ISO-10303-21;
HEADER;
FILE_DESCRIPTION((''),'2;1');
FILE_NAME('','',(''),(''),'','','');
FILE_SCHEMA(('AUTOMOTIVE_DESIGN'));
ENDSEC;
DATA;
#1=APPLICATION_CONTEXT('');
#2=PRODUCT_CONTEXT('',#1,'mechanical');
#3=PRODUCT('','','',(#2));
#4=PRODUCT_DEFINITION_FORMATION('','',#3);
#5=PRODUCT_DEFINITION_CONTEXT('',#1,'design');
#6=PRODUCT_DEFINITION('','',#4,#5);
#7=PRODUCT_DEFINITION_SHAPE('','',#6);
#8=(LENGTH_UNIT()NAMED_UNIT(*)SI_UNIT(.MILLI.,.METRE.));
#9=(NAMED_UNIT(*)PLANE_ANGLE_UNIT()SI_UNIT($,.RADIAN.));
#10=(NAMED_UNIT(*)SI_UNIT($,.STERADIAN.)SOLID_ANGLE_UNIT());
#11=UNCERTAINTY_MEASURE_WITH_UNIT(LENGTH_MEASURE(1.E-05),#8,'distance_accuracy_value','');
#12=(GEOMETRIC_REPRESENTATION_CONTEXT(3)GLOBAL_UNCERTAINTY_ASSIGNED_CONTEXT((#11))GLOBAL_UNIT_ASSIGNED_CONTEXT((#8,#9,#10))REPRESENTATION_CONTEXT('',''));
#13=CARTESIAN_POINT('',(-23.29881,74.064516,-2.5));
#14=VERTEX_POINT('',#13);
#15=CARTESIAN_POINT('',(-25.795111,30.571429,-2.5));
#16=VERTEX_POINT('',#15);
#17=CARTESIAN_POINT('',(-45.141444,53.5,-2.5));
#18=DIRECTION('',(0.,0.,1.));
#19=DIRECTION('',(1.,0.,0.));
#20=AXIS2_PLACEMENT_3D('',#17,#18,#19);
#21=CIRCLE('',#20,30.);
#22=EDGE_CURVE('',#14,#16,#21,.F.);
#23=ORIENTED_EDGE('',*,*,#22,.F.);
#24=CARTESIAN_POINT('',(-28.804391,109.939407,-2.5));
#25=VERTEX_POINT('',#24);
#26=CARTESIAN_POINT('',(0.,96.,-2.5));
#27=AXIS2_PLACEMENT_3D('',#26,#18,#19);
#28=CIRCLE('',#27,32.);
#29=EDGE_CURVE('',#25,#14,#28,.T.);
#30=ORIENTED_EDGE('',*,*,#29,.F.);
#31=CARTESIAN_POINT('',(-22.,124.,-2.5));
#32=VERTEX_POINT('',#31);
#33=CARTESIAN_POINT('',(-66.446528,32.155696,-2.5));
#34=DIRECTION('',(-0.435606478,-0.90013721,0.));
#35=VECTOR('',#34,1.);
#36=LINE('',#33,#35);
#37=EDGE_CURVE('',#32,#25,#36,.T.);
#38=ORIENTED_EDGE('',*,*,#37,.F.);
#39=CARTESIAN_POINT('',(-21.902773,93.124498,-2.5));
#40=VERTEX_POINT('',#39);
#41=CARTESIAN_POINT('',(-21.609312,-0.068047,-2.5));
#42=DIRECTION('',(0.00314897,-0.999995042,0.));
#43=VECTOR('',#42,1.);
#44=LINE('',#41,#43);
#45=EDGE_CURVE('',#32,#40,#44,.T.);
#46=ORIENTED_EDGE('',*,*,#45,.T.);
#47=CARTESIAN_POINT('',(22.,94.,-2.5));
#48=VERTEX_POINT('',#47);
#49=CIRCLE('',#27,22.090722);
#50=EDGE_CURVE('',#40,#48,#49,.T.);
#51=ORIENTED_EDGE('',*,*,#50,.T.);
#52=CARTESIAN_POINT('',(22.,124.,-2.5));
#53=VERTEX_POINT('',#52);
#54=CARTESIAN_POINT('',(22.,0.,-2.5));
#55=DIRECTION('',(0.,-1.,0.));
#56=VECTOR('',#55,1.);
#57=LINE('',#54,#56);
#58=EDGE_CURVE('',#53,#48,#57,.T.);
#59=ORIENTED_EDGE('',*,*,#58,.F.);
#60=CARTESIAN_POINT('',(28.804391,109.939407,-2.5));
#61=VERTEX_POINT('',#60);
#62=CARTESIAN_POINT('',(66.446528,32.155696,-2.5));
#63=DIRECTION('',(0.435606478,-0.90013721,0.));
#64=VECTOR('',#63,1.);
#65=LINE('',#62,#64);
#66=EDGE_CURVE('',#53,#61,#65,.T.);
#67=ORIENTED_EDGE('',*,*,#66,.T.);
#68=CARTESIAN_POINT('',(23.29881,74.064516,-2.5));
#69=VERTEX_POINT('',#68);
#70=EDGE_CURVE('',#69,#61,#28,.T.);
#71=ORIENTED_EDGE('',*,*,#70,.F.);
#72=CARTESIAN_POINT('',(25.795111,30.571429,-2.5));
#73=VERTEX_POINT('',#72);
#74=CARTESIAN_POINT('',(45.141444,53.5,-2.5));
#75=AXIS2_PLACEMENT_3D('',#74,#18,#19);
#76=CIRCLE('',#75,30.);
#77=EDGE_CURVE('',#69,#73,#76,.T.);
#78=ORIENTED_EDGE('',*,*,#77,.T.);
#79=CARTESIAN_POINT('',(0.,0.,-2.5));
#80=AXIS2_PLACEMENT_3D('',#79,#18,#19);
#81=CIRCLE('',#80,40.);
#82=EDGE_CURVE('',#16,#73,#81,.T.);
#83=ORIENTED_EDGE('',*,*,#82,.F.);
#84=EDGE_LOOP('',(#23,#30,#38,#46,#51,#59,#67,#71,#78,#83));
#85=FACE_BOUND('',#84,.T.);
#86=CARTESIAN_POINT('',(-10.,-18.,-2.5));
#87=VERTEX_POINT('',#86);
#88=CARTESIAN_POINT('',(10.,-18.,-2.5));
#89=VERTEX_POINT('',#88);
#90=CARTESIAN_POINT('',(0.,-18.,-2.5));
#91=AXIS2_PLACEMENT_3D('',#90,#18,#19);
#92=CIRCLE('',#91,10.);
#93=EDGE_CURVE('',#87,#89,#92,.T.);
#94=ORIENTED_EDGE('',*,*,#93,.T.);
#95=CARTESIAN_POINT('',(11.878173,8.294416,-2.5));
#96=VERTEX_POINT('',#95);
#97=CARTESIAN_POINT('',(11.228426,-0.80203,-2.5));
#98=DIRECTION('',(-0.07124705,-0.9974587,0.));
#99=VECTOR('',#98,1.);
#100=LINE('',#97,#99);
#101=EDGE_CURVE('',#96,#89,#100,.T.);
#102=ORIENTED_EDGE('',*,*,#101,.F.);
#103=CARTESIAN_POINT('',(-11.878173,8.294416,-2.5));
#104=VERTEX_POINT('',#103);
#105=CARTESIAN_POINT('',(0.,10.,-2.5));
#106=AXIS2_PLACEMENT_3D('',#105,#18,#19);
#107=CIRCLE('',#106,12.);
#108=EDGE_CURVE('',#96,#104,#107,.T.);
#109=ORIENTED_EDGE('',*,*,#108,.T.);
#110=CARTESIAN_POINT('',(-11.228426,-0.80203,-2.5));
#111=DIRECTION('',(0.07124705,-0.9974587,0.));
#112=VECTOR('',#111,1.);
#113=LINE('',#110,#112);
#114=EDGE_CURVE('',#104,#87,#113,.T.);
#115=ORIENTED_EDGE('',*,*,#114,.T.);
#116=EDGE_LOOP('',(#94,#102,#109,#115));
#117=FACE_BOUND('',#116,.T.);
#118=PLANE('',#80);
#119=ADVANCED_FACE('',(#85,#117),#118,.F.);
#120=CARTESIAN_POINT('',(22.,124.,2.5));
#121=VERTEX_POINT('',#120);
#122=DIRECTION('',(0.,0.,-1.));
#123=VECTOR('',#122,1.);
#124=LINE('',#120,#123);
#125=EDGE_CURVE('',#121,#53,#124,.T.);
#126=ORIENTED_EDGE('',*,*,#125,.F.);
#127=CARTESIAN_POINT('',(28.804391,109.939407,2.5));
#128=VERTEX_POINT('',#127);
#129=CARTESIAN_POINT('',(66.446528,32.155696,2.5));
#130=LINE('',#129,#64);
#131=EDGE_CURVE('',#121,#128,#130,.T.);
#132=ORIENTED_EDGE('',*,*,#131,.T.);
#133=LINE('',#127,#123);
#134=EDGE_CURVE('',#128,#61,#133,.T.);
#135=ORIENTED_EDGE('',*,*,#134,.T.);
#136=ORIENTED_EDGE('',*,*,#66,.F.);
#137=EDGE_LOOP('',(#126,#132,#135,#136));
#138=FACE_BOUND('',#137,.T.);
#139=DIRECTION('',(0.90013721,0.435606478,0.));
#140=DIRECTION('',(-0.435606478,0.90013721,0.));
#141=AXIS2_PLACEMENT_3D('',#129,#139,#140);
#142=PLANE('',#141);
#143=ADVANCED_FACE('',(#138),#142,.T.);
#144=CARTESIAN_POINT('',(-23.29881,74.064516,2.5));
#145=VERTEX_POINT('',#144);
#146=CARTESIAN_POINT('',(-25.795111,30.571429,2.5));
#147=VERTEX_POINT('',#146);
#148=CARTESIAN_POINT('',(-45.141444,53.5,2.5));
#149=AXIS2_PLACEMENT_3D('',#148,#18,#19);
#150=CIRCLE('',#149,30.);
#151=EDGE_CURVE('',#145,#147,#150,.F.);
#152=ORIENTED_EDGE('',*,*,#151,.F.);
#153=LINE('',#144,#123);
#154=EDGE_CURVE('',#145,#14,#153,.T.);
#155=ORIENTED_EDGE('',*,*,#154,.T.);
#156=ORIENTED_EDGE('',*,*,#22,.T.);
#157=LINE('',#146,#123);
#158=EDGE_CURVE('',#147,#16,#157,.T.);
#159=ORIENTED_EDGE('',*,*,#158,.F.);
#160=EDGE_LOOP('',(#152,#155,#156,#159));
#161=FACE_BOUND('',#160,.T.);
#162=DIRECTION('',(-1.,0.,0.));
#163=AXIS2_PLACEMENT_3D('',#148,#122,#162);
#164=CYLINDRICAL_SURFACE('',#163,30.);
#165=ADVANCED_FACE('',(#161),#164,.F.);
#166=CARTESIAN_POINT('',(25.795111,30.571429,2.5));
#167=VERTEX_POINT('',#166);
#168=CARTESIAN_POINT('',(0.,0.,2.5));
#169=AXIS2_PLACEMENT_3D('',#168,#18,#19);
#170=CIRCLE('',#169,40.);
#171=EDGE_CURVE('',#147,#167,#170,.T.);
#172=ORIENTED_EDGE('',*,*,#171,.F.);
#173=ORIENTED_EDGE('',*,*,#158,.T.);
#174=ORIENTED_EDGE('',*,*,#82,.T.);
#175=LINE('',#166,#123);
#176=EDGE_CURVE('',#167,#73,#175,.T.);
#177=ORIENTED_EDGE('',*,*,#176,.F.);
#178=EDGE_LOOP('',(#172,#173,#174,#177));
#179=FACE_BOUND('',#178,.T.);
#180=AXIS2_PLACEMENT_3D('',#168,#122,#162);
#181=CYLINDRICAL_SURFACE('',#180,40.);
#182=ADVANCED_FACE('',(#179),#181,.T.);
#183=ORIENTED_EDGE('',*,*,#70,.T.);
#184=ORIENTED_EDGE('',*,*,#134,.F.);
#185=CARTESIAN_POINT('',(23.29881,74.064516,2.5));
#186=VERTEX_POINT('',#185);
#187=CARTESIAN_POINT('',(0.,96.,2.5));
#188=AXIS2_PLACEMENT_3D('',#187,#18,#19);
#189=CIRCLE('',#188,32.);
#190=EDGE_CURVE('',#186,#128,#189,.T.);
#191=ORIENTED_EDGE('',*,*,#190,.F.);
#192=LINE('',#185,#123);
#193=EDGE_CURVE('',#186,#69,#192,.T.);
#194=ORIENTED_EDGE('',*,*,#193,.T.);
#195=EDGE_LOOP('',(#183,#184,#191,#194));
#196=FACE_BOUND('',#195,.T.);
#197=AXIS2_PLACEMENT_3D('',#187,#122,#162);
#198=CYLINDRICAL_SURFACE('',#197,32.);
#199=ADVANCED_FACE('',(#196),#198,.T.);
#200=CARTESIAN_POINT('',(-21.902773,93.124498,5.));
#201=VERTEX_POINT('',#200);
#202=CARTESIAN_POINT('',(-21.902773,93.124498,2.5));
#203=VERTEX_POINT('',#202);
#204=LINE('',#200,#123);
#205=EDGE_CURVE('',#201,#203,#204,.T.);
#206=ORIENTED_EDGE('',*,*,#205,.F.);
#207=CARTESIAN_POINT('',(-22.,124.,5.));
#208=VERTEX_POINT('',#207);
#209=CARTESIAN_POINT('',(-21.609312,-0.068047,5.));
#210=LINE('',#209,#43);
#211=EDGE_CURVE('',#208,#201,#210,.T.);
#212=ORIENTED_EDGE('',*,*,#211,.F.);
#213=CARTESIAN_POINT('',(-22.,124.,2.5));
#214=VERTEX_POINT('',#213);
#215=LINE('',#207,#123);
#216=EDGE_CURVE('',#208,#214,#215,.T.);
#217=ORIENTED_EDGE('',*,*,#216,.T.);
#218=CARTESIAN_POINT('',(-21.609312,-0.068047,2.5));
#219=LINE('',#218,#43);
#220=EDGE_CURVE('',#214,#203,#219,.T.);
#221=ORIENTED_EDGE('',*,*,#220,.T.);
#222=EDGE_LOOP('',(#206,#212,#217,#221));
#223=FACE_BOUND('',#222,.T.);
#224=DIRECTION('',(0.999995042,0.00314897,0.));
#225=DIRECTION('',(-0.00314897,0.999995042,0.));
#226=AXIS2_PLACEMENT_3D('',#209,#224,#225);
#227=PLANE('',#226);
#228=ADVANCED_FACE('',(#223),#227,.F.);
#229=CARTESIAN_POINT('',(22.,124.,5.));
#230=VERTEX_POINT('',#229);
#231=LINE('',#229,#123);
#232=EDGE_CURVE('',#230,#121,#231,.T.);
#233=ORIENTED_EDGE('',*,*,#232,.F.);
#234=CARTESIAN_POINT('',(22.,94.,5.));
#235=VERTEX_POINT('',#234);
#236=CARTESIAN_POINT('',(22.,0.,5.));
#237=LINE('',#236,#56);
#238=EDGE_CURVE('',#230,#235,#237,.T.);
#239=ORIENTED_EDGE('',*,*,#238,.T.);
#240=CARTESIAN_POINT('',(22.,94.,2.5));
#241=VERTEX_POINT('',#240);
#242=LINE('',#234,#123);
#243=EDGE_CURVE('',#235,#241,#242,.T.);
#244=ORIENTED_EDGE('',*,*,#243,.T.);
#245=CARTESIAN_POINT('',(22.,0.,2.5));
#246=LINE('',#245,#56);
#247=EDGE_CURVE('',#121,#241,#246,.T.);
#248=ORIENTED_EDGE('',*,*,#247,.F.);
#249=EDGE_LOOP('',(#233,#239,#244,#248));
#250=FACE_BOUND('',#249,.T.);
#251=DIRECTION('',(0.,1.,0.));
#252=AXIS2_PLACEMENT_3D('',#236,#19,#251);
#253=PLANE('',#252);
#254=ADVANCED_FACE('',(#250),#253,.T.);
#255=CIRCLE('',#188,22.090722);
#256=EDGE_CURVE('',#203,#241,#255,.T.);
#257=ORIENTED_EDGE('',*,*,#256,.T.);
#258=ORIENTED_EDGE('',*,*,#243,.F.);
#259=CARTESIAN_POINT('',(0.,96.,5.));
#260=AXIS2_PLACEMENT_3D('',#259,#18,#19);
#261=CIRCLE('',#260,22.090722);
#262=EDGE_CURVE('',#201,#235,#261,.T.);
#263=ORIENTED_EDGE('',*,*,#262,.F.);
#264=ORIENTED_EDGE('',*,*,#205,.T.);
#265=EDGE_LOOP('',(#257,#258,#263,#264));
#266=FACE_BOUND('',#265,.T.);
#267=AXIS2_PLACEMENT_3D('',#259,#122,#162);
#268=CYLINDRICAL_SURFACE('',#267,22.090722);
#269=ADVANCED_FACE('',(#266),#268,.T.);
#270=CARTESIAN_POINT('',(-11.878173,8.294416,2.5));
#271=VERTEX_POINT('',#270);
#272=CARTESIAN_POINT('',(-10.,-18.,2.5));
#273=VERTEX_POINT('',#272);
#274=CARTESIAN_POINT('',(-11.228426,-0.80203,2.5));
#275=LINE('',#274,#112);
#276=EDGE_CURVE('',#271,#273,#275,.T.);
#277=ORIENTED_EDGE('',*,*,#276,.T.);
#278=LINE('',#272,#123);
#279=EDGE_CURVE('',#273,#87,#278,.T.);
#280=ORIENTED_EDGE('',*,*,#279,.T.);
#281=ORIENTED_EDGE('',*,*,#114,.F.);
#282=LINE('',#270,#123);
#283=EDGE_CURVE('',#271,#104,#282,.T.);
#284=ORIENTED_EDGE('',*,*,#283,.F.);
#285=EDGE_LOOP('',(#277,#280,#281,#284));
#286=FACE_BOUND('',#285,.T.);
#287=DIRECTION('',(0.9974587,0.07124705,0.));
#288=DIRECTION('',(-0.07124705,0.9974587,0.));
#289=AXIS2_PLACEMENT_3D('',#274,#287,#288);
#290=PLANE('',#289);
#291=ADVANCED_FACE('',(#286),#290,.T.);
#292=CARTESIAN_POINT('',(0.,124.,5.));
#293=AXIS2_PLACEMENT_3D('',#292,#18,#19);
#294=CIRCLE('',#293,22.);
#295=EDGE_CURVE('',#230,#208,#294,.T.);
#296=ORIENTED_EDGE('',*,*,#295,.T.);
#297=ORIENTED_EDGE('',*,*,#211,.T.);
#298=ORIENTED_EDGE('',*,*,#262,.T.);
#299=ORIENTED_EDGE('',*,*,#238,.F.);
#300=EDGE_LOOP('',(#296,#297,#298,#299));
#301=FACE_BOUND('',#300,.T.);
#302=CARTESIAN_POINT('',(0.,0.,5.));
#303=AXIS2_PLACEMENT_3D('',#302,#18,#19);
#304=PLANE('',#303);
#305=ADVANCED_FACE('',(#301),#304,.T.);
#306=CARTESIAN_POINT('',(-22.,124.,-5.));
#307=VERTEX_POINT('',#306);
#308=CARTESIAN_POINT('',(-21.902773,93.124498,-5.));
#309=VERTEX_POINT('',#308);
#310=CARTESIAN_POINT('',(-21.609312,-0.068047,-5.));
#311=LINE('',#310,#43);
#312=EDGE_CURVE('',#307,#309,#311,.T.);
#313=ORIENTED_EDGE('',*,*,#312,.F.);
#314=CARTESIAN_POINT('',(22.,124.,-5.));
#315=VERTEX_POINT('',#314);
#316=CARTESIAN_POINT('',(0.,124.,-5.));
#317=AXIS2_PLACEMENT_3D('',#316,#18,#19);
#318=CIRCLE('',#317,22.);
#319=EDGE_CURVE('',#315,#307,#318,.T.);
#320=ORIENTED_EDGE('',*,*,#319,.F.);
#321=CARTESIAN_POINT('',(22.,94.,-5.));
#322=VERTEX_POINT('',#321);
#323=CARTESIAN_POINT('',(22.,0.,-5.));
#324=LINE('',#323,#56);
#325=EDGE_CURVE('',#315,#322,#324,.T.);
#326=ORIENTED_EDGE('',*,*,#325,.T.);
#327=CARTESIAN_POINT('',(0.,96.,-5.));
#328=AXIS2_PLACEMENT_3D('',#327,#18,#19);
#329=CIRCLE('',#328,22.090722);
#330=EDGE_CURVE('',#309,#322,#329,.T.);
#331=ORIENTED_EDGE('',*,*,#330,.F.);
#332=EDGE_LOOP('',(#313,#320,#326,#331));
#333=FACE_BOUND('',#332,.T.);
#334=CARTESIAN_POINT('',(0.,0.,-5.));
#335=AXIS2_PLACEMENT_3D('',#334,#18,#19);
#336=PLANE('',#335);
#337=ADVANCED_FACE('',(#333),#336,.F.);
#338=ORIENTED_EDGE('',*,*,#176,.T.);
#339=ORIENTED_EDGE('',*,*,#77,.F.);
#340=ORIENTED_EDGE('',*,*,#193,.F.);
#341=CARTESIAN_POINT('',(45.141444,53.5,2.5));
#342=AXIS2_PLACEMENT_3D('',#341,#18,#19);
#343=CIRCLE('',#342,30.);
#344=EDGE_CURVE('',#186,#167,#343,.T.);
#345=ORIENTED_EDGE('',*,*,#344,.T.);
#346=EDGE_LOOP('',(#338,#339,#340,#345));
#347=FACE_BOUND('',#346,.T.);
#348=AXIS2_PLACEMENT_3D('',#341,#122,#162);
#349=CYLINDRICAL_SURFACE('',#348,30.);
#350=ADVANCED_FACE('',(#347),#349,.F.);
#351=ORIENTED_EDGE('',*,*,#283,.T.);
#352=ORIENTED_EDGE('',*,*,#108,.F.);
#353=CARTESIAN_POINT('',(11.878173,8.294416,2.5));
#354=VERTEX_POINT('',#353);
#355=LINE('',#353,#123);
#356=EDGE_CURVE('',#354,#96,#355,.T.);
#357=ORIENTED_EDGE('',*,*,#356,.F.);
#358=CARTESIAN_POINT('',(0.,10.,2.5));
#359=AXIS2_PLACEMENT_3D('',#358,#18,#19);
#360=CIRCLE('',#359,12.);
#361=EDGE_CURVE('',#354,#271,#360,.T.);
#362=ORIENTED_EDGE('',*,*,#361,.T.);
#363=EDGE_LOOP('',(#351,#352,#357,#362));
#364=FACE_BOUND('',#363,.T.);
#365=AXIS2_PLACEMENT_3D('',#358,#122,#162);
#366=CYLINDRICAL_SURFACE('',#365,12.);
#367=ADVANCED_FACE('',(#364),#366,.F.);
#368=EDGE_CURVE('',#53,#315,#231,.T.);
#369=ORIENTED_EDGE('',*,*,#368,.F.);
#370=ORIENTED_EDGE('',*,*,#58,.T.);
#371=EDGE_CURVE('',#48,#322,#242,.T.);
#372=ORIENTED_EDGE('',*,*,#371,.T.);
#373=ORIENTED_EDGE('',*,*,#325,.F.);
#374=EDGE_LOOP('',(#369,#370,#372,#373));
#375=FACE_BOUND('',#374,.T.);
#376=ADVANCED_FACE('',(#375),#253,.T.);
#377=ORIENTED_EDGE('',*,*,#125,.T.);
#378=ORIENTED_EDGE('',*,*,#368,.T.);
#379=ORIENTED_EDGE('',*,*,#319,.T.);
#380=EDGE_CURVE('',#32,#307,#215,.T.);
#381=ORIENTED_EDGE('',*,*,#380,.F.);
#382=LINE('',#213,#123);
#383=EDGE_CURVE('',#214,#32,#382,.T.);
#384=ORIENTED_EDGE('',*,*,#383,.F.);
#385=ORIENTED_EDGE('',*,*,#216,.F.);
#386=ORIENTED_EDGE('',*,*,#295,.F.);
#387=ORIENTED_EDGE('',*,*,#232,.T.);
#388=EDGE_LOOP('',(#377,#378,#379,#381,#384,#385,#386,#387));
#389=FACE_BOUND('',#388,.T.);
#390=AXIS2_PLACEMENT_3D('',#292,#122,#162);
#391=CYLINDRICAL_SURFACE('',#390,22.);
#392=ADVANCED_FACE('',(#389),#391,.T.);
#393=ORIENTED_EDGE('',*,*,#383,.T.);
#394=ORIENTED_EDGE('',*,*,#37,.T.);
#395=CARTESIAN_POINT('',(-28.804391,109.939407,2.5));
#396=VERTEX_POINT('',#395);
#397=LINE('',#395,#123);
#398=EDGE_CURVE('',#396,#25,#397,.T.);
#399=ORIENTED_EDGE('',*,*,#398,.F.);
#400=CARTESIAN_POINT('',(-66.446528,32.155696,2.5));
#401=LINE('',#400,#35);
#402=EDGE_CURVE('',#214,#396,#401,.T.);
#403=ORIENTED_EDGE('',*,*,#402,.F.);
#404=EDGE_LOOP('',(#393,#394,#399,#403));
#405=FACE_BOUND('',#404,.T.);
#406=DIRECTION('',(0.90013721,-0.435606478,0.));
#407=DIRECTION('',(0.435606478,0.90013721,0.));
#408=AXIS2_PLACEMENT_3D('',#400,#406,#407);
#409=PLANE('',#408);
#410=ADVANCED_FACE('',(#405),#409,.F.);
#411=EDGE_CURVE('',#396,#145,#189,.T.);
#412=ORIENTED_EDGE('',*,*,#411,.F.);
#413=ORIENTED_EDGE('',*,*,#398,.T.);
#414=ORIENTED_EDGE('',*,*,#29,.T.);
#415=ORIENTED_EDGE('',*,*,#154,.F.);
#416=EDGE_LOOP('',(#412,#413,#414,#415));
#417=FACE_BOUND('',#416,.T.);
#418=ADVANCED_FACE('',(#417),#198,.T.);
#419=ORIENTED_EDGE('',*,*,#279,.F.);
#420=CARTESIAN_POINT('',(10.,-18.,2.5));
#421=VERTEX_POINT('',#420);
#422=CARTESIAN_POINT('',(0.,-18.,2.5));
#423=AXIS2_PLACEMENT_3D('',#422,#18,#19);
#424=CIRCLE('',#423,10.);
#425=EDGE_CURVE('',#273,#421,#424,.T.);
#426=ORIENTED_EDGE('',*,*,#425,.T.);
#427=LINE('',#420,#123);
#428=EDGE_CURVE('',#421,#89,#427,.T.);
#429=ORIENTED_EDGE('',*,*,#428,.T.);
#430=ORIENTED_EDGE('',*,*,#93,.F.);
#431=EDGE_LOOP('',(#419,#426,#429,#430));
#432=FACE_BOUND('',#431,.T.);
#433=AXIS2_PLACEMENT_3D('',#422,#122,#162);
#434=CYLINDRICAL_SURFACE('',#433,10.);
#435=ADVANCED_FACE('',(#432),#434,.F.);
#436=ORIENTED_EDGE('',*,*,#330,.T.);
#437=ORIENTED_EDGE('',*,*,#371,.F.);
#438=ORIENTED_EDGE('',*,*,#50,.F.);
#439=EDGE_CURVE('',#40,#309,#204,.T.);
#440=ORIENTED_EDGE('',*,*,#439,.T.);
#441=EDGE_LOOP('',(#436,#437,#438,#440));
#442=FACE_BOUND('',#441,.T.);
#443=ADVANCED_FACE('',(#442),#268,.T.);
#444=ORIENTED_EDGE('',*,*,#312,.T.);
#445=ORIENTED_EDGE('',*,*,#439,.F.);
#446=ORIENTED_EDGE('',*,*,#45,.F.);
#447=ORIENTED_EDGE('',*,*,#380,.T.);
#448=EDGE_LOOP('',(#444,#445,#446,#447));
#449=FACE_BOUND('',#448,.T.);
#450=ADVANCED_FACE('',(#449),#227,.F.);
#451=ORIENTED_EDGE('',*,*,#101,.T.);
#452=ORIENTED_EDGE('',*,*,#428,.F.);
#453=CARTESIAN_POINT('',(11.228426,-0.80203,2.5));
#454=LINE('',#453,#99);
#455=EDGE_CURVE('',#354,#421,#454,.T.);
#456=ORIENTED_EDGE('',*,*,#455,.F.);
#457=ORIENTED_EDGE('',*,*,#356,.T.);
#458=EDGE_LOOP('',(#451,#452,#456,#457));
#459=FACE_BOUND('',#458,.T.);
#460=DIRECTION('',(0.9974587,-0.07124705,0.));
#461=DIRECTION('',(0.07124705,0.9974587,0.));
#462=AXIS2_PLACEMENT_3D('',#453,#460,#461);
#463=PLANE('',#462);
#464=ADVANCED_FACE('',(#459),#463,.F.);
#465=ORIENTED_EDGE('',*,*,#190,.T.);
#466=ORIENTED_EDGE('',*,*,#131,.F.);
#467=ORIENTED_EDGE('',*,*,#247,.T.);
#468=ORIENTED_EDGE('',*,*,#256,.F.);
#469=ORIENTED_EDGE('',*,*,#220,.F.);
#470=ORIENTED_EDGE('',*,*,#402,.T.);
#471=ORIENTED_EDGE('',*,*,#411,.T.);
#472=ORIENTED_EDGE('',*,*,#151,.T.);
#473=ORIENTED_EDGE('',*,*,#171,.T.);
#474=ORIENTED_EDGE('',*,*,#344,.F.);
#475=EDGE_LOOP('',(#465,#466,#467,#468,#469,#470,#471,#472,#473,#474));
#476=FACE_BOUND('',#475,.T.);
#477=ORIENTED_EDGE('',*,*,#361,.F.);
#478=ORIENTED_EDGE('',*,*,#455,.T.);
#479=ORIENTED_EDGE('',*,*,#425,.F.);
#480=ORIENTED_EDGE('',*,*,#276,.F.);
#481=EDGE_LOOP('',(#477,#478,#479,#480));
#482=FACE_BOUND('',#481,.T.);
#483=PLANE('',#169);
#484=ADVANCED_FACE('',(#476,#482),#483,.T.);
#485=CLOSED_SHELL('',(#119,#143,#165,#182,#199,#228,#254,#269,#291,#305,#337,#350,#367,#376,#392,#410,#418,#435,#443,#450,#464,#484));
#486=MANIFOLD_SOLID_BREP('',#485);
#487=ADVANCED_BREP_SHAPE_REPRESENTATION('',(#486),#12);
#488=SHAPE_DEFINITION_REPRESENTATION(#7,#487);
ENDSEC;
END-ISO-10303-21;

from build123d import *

# Parameters (mm, degrees)
BOSS_EXTRUDE2_DEPTH = 5
BOSS_EXTRUDE4_DEPTH = 2.5


with BuildPart() as part:
    # Sketch1 → Boss-Extrude2 (new, symmetric)
    with BuildSketch(Plane.XY):
        with BuildLine():
            Line((22, 94), (22, 124))
            ThreePointArc((22, 124), (0, 146), (-22, 124))
            Line((-22, 124), (-21.902773493, 93.124497726))
            ThreePointArc((-21.902773493, 93.124497726), (0.440442172, 73.913669144), (22, 94))
        make_face()
    extrude(amount=BOSS_EXTRUDE2_DEPTH, both=True)

    # Sketch1<7> → Boss-Extrude4 (add, symmetric)
    with BuildSketch(Plane.XY):
        with BuildLine():
            Line((28.804390709, 109.9394073), (22, 124))
            Line((22, 124), (22, 94))
            ThreePointArc((22, 94), (0.440442172, 73.913669144), (-21.902773493, 93.124497726))
            Line((-21.902773493, 93.124497726), (-22, 124))
            Line((-22, 124), (-28.804390709, 109.9394073))
            ThreePointArc((-28.804390709, 109.9394073), (-31.629698625, 91.14591256), (-23.298809999, 74.064516129))
            ThreePointArc((-23.298809999, 74.064516129), (-15.190736019, 51.78096855), (-25.79511107, 30.571428571))
            ThreePointArc((-25.79511107, 30.571428571), (0, -40), (25.79511107, 30.571428571))
            ThreePointArc((25.79511107, 30.571428571), (15.190736019, 51.78096855), (23.298809999, 74.064516129))
            ThreePointArc((23.298809999, 74.064516129), (31.629698625, 91.14591256), (28.804390709, 109.9394073))
        make_face()
        with BuildLine():
            ThreePointArc((-11.878172589, 8.294416244), (-11.969504398, 9.1450354), (-12, 10))
            ThreePointArc((-12, 10), (0, 22), (12, 10))
            ThreePointArc((12, 10), (11.969504398, 9.1450354), (11.878172589, 8.294416244))
            Line((11.878172589, 8.294416244), (10, -18))
            ThreePointArc((10, -18), (0, -28), (-10, -18))
            Line((-10, -18), (-11.878172589, 8.294416244))
        make_face(mode=Mode.SUBTRACT)
    extrude(amount=BOSS_EXTRUDE4_DEPTH, both=True)


solid = part.part
